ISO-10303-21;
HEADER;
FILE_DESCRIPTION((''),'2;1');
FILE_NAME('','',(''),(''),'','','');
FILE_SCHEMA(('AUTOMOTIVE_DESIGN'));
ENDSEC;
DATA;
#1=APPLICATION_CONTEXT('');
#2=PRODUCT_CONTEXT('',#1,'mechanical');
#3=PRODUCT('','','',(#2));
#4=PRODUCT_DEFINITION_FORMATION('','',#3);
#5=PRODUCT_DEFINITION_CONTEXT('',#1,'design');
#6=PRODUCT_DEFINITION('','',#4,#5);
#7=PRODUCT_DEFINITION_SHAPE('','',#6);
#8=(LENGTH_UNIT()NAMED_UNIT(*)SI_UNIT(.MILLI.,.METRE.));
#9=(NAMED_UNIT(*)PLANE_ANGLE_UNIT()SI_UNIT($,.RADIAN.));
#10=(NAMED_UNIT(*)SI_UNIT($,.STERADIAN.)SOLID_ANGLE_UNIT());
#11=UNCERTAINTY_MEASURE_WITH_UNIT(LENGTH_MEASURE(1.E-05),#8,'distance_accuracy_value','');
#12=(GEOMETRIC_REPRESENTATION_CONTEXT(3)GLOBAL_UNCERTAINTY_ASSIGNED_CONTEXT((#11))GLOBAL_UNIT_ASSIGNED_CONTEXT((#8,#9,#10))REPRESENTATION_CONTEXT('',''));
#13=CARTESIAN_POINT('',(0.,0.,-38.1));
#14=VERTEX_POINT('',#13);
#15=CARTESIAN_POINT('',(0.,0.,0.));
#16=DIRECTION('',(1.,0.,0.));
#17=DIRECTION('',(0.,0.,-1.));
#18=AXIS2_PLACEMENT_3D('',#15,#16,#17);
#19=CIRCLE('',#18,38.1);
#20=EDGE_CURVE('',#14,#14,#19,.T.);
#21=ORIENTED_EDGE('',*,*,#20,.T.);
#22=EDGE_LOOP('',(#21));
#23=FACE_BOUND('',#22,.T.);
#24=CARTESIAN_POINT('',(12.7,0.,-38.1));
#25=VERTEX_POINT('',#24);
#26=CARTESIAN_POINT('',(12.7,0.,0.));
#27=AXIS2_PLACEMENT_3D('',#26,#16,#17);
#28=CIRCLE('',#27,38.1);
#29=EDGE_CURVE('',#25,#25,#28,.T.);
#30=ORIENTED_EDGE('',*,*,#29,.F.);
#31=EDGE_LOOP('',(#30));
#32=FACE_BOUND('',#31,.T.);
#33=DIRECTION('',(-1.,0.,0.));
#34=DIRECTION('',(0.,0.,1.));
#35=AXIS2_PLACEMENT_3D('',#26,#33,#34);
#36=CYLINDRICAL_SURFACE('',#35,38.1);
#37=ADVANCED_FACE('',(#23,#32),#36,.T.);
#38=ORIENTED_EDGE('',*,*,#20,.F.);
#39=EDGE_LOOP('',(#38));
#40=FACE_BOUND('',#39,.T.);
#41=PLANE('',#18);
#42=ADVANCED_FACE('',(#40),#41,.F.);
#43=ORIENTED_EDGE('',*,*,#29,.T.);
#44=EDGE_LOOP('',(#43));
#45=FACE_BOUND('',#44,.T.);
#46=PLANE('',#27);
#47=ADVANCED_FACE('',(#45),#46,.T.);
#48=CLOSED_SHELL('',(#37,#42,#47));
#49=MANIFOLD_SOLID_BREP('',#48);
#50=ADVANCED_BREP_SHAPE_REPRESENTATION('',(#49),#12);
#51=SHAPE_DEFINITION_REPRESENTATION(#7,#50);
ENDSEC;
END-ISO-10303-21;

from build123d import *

# Parameters (mm, degrees)
SKETCH1_R           = 38.1
BOSS_EXTRUDE1_DEPTH = 12.7


with BuildPart() as part:
    # Sketch1 → Boss-Extrude1 (new body)
    with BuildSketch(Plane(origin=(0, 0, 0), x_dir=(0, 0, -1), z_dir=(1, 0, 0))):
        Circle(SKETCH1_R)
    extrude(amount=BOSS_EXTRUDE1_DEPTH)


solid = part.part
